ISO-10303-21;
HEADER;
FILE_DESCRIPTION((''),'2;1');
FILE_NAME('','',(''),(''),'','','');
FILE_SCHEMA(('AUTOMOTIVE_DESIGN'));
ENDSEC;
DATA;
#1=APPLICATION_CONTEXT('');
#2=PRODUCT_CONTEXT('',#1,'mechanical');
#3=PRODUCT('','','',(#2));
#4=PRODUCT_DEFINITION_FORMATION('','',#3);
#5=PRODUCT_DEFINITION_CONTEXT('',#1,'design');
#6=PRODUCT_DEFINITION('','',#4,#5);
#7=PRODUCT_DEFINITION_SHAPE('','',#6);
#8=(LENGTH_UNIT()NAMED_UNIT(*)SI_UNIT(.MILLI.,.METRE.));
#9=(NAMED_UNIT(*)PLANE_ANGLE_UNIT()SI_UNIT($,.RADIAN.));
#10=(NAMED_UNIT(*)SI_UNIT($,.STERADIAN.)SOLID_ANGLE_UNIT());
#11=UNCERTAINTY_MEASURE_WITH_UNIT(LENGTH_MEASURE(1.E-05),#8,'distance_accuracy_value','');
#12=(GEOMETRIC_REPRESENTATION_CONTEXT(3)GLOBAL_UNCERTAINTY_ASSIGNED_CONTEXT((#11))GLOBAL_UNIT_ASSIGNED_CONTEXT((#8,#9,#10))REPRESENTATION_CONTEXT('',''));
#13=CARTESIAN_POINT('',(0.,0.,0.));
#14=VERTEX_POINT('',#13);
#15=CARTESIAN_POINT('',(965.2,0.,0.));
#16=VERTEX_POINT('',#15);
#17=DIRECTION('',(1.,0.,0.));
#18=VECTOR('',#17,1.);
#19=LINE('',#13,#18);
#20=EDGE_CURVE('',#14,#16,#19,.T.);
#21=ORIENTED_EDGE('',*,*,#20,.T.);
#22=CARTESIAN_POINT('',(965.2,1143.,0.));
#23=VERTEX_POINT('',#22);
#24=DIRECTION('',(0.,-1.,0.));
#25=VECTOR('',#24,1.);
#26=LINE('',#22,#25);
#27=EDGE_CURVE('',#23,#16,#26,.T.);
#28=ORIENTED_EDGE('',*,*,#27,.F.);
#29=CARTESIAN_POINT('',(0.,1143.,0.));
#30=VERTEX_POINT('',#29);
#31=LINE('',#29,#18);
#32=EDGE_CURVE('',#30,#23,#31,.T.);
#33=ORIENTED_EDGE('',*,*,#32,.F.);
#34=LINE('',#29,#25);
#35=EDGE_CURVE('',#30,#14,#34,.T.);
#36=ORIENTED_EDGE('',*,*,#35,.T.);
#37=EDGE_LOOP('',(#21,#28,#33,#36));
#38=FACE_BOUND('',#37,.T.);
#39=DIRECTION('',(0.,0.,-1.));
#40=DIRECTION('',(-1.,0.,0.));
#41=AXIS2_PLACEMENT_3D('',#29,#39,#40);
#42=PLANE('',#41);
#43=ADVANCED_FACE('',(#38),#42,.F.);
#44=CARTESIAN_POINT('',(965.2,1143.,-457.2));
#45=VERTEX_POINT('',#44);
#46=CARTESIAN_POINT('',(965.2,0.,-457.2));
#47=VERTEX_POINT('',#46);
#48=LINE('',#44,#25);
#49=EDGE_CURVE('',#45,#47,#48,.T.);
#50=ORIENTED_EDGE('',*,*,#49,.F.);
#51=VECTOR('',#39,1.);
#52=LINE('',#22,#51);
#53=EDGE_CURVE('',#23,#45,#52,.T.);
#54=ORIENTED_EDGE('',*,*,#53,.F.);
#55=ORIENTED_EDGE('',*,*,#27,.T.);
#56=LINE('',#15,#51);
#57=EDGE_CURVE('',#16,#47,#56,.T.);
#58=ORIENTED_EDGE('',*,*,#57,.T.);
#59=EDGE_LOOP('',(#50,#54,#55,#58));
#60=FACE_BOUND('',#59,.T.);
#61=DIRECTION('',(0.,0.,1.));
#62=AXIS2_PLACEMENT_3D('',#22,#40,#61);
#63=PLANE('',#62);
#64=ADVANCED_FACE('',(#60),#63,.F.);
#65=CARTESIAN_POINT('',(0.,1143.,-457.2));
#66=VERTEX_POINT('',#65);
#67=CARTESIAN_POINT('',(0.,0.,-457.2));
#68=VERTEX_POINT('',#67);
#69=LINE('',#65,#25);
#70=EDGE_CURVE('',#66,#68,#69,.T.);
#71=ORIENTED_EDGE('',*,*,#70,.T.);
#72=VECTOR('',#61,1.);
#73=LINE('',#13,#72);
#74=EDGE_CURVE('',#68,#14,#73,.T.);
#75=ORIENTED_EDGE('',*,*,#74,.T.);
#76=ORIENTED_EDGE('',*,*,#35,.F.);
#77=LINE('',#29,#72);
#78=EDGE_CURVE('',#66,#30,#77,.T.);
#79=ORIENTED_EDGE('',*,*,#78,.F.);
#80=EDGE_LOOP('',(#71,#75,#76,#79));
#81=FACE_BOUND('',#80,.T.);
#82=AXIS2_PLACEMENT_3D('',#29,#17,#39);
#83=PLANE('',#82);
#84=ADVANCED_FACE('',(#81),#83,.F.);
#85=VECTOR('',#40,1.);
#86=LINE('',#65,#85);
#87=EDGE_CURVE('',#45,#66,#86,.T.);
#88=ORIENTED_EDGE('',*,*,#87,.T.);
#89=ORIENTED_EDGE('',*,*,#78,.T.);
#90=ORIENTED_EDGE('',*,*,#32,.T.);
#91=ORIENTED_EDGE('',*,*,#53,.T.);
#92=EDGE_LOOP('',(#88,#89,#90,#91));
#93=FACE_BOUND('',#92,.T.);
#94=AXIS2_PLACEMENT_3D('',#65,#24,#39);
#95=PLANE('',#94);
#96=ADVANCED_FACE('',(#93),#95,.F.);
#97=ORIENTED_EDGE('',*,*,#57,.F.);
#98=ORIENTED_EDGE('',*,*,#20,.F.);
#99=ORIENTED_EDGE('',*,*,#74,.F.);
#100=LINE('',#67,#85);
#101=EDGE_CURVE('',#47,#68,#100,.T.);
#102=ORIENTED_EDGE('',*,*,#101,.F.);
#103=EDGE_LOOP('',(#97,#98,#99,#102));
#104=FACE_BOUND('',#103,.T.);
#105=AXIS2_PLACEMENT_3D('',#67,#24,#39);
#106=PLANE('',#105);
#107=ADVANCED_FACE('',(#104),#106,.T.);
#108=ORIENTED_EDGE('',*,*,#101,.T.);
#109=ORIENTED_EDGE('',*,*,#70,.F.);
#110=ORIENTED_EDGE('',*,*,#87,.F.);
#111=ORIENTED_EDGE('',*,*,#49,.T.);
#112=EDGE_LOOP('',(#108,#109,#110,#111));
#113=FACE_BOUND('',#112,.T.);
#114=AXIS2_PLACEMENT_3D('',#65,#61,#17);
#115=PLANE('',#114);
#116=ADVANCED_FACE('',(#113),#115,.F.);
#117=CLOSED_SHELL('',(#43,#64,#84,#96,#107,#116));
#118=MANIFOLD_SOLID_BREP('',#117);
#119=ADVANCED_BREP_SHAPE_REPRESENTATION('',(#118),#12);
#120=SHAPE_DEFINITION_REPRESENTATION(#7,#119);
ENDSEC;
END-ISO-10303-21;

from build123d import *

# Parameters (mm, degrees)
SKETCH1_W      = 965.2
SKETCH1_H      = 457.2
EXTRUDE1_DEPTH = 1143


with BuildPart() as part:
    # Sketch1 → Extrude1 (new body)
    with BuildSketch(Plane(origin=(0, 0, 0), x_dir=(1, 0, 0), z_dir=(0, 1, 0))):
        with Locations((482.6, 228.6)):
            Rectangle(SKETCH1_W, SKETCH1_H)
    extrude(amount=EXTRUDE1_DEPTH)


solid = part.part
